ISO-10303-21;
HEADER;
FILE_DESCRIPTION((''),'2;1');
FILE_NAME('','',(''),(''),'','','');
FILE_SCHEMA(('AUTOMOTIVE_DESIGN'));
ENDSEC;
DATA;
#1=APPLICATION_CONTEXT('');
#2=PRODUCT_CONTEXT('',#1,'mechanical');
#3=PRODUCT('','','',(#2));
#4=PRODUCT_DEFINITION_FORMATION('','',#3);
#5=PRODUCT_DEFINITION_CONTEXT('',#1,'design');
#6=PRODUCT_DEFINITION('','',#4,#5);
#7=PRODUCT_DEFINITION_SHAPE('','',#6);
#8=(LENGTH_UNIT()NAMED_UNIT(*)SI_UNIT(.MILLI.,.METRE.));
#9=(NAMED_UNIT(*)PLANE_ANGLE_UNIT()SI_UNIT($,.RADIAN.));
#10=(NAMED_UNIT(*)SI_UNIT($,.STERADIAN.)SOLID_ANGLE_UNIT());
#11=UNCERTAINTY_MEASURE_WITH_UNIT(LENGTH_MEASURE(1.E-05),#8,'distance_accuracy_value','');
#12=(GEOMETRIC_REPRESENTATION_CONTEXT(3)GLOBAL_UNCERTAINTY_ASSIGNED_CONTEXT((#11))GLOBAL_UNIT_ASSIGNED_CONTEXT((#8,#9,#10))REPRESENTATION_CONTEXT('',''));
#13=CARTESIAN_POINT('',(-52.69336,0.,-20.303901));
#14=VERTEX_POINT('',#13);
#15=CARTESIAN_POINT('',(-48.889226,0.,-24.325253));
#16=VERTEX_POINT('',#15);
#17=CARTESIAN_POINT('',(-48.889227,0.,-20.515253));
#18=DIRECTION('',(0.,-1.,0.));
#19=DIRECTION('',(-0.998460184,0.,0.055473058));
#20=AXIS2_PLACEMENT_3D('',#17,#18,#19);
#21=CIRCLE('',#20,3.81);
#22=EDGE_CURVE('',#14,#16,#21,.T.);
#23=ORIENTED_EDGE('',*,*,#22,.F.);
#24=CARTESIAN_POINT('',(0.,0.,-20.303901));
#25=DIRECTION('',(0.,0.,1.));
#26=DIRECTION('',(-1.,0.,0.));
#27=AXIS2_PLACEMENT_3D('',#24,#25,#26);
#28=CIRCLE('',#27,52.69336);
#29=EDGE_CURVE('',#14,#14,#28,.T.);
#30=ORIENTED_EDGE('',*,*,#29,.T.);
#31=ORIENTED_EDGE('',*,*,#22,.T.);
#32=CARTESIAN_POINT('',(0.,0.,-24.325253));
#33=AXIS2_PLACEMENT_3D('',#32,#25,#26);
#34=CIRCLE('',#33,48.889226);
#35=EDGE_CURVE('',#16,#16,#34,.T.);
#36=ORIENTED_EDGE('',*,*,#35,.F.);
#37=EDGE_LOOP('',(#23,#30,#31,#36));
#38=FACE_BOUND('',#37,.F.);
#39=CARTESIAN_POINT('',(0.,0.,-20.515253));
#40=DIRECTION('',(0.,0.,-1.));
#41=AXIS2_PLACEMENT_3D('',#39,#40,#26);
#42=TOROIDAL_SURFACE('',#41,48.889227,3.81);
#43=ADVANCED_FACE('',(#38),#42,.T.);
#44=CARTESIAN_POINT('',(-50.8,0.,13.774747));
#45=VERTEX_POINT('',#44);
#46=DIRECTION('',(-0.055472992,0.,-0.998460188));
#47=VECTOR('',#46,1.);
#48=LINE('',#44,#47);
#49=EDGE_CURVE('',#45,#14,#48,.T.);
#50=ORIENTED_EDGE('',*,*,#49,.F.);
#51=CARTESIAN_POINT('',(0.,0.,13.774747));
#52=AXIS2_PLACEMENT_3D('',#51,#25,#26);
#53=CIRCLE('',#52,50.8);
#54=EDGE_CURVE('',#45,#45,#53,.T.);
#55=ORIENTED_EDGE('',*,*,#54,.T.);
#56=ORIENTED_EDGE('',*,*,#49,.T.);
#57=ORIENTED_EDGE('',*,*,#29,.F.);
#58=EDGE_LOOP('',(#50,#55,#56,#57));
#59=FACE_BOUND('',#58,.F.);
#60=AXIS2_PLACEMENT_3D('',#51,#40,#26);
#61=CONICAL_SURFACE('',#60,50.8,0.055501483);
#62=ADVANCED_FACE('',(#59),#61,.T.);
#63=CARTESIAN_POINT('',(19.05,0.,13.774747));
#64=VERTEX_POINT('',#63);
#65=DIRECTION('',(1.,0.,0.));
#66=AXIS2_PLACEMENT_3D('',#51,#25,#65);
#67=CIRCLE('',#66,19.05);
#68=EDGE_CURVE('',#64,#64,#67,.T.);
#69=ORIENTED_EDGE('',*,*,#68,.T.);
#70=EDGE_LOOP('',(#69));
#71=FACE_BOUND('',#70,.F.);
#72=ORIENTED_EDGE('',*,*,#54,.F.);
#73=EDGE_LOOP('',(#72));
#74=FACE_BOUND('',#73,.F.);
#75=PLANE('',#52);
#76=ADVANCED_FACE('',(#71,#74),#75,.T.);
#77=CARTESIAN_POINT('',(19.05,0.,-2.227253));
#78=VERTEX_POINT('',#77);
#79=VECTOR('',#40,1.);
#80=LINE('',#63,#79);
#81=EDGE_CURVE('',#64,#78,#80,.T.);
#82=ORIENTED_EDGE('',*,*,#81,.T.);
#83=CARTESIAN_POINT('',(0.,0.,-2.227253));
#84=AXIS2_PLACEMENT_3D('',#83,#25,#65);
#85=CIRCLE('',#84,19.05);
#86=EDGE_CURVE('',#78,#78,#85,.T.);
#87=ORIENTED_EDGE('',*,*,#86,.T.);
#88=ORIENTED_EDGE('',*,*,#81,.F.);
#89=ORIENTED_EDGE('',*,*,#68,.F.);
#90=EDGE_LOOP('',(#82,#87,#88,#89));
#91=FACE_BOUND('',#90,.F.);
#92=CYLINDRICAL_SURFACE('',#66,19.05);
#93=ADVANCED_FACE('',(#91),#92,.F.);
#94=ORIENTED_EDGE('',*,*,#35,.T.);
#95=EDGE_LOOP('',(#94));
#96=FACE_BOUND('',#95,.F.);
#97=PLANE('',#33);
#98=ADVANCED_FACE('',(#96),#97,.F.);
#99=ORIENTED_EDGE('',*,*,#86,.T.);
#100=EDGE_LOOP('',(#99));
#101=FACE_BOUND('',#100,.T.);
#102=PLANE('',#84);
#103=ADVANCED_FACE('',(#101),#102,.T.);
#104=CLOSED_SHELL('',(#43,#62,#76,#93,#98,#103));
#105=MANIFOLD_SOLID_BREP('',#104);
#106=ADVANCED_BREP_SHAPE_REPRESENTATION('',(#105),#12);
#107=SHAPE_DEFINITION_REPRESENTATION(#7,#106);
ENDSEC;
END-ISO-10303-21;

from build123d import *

# Parameters (mm, degrees)
F2_R     = 19.05
F3_DEPTH = 16.002


with BuildPart() as f1:
    # F0 (on Front) → F1 (revolve)
    with BuildSketch(Plane.XZ):
        with BuildLine():
            Line((0, -24.325253), (0, 13.774747))
            Line((0, 13.774747), (-50.8, 13.774747))
            Line((-50.8, 13.774747), (-52.69336, -20.303901))
            ThreePointArc((-52.69336, -20.303901), (-51.657019, -23.13354), (-48.889226, -24.325253))
            Line((-48.889226, -24.325253), (0, -24.325253))
        make_face()
    revolve(axis=Axis((0, 0, -5.275253), (0, 0, 1)))

    # F2 (on face) → F3 (cut)
    with BuildSketch(Plane.XY.offset(13.774747)):
        Circle(F2_R)
    extrude(amount=-F3_DEPTH, mode=Mode.SUBTRACT)


solid = f1.part
